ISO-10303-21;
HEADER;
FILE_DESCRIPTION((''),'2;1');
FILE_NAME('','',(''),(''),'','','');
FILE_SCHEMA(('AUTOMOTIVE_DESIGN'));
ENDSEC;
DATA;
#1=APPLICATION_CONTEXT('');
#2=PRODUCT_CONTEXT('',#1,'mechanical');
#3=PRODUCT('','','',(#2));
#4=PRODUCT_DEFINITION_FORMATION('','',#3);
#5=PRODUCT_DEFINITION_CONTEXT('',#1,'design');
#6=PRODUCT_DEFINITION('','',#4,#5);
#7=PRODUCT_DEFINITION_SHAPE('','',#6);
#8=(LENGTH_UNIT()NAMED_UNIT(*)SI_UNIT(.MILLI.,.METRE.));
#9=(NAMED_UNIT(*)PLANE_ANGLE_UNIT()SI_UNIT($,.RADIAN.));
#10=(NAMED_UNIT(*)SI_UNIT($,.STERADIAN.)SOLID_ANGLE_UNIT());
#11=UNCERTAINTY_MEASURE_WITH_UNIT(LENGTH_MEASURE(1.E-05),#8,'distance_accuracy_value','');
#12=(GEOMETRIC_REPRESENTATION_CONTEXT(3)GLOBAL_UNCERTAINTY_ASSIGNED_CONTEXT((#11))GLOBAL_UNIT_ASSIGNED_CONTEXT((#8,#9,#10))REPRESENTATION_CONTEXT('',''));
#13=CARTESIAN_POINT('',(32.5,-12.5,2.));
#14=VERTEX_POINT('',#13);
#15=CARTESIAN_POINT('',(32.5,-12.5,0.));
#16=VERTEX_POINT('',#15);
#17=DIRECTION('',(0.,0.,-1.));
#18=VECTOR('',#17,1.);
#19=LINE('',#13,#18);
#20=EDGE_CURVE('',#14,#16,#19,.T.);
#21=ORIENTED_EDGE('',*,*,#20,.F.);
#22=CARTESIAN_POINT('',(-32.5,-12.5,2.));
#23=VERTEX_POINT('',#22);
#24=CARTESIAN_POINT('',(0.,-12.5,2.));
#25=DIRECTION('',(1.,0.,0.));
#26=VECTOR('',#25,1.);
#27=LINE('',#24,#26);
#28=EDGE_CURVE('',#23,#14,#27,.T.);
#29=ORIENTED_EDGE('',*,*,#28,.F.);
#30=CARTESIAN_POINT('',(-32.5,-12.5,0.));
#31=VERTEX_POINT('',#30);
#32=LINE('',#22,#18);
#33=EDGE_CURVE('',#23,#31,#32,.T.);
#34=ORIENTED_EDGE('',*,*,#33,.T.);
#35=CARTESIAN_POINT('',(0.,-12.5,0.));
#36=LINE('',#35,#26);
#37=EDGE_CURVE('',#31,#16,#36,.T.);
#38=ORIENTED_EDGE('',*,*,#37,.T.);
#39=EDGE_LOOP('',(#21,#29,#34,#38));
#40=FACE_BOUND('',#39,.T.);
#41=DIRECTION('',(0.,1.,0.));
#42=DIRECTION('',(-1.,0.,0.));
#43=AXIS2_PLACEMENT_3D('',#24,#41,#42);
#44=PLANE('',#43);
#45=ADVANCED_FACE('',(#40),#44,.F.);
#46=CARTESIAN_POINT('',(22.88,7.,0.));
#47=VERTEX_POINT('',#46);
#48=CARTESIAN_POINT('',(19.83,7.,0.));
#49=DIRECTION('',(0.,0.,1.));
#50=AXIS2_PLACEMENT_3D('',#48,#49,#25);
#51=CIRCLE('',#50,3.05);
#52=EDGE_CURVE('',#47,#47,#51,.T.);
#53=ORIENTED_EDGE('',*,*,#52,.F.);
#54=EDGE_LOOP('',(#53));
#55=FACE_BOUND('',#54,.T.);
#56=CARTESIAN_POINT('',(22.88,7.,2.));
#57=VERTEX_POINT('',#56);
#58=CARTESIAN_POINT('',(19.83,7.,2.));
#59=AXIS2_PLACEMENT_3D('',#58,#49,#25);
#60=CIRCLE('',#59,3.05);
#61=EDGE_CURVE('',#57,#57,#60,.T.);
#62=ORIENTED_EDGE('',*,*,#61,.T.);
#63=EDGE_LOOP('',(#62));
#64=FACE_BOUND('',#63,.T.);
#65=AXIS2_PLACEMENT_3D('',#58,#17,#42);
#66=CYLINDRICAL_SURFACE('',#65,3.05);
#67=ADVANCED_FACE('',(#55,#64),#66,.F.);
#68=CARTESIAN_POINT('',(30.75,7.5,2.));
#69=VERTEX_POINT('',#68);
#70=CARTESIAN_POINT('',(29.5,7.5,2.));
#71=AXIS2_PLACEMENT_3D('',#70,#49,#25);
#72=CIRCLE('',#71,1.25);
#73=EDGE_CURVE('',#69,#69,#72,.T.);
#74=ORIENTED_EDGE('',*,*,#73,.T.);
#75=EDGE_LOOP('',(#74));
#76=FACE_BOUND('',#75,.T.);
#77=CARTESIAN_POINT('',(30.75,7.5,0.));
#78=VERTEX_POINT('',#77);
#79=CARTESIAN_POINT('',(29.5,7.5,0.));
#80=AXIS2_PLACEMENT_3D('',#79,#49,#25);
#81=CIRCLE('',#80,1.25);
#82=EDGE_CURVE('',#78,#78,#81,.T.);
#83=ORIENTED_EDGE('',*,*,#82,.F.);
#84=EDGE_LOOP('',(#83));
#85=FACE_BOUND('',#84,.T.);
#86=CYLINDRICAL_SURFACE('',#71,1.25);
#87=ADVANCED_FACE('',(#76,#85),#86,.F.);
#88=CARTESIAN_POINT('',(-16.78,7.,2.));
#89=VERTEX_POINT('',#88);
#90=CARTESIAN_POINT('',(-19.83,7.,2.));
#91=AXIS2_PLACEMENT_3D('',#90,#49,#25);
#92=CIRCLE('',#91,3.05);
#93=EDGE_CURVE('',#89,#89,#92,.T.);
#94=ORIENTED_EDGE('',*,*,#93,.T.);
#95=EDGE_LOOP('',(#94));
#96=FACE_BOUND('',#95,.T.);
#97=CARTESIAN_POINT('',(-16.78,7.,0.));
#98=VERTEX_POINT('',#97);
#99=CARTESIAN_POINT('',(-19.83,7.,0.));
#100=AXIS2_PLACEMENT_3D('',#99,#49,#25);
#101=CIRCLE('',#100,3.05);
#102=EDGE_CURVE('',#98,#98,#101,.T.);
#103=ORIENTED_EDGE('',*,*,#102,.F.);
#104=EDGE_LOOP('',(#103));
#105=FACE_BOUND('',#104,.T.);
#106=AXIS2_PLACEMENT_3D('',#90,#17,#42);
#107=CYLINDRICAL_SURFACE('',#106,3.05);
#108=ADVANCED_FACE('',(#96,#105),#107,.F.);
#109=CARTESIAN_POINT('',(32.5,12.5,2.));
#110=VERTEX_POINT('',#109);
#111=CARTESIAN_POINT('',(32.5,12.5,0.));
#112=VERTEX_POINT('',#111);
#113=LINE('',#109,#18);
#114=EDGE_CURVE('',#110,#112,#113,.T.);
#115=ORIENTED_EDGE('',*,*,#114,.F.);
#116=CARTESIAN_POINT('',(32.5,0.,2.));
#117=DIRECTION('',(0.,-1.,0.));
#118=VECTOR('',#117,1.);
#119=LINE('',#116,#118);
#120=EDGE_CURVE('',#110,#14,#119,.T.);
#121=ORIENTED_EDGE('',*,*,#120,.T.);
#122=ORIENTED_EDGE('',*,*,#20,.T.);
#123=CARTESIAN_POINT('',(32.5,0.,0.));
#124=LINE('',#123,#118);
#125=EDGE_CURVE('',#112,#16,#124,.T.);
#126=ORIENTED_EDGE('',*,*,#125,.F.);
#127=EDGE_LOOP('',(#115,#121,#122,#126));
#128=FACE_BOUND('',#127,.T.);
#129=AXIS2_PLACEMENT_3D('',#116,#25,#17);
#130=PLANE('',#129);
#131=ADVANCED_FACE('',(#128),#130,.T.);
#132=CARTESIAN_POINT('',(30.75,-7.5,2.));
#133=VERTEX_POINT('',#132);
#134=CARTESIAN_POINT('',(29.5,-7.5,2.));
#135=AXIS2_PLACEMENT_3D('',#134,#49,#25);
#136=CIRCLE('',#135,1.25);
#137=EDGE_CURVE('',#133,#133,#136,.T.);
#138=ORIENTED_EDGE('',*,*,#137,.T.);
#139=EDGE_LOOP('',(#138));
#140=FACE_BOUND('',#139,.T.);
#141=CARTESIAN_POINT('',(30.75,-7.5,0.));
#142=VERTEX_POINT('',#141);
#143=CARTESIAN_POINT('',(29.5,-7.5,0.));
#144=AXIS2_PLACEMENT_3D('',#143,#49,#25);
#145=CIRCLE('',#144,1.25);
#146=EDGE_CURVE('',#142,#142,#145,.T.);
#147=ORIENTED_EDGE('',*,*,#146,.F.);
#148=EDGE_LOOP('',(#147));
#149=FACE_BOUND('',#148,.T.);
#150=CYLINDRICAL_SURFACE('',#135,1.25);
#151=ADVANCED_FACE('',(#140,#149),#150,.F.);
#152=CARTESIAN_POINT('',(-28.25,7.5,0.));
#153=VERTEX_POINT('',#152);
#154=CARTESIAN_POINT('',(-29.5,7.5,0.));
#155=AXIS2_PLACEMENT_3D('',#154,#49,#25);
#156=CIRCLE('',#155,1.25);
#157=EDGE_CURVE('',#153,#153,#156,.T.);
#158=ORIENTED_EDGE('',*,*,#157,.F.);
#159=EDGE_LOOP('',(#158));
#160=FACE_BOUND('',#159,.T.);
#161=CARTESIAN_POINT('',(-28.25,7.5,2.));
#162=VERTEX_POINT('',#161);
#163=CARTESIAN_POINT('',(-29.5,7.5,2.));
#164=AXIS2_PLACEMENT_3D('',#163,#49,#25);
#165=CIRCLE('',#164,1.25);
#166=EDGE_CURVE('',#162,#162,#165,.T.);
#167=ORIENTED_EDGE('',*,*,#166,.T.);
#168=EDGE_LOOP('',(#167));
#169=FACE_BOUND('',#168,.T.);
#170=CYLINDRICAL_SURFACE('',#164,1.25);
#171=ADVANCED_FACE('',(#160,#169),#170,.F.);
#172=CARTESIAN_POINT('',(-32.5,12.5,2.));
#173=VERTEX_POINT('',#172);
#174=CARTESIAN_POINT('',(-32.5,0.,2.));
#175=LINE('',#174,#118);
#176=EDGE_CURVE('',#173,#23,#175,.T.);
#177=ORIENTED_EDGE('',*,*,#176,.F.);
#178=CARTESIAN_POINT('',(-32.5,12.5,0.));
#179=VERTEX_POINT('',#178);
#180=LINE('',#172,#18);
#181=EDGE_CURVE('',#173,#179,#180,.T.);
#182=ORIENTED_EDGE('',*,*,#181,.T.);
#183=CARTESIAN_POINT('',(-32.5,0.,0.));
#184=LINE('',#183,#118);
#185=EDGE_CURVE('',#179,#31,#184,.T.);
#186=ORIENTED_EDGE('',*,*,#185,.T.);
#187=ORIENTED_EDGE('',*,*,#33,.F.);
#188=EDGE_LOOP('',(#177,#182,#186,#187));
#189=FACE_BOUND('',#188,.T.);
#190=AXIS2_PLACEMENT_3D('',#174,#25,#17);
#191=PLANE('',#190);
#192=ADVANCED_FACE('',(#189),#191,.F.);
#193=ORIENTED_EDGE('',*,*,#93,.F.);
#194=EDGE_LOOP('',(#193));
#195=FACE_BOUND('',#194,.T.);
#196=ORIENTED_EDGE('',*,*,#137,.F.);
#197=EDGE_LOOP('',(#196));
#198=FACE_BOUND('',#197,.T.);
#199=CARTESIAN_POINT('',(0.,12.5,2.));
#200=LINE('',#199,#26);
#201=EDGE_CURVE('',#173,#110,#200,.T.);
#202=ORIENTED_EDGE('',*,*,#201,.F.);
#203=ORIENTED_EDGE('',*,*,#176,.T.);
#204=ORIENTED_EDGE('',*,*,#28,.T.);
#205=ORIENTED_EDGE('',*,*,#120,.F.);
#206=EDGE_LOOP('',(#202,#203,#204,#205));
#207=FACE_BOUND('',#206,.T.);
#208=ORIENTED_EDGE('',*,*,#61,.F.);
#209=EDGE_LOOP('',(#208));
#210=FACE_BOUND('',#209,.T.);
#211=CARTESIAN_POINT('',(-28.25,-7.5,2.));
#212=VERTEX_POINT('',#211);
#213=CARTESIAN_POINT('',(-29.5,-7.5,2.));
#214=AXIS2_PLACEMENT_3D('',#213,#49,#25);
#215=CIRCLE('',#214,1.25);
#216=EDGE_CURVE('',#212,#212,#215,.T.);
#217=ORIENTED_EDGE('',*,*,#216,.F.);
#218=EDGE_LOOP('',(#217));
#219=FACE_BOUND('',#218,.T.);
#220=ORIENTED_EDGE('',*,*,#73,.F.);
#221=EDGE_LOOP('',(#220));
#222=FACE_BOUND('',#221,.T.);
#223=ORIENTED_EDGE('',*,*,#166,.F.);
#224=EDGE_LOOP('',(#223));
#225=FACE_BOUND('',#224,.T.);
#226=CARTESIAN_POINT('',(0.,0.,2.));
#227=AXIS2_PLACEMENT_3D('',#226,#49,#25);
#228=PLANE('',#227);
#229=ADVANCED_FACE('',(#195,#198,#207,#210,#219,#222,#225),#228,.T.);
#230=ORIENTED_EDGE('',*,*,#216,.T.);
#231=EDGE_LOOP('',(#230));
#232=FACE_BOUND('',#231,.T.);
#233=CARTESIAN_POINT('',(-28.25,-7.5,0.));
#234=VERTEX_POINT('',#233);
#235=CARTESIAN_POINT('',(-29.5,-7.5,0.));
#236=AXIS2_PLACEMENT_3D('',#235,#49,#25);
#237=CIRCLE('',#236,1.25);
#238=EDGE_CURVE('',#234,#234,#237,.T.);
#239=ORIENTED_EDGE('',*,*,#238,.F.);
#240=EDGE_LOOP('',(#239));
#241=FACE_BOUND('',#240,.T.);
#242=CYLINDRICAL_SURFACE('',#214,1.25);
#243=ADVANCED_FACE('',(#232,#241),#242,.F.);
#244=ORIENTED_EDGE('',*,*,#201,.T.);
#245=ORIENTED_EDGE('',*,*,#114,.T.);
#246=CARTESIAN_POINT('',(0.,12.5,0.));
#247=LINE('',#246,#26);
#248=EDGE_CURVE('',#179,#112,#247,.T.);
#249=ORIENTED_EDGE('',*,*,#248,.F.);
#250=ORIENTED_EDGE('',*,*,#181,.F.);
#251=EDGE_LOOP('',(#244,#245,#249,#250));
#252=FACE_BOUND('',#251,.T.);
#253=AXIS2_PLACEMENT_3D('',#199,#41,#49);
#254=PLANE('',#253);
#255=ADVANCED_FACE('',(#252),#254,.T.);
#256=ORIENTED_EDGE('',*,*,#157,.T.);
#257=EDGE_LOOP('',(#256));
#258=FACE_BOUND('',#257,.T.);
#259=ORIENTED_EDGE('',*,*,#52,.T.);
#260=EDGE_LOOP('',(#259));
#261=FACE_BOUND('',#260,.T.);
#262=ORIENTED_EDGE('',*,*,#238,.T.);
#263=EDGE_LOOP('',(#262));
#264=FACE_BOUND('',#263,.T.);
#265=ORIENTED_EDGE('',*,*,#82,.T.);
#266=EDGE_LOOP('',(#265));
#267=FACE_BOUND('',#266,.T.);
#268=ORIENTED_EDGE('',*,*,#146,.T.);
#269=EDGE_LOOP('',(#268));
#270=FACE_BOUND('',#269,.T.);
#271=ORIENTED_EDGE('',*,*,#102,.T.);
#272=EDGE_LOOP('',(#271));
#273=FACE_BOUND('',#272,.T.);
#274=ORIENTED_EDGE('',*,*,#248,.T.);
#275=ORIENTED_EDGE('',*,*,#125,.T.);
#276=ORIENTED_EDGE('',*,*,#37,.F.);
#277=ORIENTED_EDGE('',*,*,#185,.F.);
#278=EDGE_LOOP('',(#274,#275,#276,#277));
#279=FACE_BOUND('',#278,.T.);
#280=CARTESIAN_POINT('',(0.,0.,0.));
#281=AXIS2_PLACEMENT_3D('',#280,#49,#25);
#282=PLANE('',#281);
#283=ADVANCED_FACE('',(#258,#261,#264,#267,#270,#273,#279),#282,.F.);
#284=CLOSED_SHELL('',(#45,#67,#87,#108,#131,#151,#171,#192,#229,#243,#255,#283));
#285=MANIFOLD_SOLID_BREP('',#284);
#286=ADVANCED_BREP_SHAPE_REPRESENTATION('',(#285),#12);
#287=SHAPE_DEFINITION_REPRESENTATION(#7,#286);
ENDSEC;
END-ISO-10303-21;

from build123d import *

# Parameters (mm, degrees)
SKETCH_1_W      = 65
SKETCH_1_H      = 25
SKETCH_1_R      = 3.05
EXTRUDE_1_DEPTH = 2
M3X0_5_1_D      = 2.5
M3X0_5_1_DEPTH  = 8.5
M3X0_5_1_TIP    = 0.751075774


with BuildPart() as part:
    # ｽｹｯﾁ1 → ﾎﾞｽ - 押し出し1 (new body)
    with BuildSketch(Plane.XY):
        Rectangle(SKETCH_1_W, SKETCH_1_H)
        with Locations((-19.83, 7)):
            Circle(SKETCH_1_R, mode=Mode.SUBTRACT)
        with Locations((19.83, 7)):
            Circle(SKETCH_1_R, mode=Mode.SUBTRACT)
    extrude(amount=EXTRUDE_1_DEPTH)

    # M3x0.5 ねじ穴1
    with Locations(Plane(origin=(-29.5, 7.5, 2), x_dir=(1, 0, 0), z_dir=(0, 0, 1))):
        with Locations((0, 0), (0, -15), (59, 0), (59, -15)):
            Hole(M3X0_5_1_D / 2, depth=M3X0_5_1_DEPTH)
            with Locations((0, 0, -(M3X0_5_1_DEPTH + M3X0_5_1_TIP / 2))):  # 118° drill point
                Cone(0, M3X0_5_1_D / 2, M3X0_5_1_TIP, mode=Mode.SUBTRACT)


solid = part.part
